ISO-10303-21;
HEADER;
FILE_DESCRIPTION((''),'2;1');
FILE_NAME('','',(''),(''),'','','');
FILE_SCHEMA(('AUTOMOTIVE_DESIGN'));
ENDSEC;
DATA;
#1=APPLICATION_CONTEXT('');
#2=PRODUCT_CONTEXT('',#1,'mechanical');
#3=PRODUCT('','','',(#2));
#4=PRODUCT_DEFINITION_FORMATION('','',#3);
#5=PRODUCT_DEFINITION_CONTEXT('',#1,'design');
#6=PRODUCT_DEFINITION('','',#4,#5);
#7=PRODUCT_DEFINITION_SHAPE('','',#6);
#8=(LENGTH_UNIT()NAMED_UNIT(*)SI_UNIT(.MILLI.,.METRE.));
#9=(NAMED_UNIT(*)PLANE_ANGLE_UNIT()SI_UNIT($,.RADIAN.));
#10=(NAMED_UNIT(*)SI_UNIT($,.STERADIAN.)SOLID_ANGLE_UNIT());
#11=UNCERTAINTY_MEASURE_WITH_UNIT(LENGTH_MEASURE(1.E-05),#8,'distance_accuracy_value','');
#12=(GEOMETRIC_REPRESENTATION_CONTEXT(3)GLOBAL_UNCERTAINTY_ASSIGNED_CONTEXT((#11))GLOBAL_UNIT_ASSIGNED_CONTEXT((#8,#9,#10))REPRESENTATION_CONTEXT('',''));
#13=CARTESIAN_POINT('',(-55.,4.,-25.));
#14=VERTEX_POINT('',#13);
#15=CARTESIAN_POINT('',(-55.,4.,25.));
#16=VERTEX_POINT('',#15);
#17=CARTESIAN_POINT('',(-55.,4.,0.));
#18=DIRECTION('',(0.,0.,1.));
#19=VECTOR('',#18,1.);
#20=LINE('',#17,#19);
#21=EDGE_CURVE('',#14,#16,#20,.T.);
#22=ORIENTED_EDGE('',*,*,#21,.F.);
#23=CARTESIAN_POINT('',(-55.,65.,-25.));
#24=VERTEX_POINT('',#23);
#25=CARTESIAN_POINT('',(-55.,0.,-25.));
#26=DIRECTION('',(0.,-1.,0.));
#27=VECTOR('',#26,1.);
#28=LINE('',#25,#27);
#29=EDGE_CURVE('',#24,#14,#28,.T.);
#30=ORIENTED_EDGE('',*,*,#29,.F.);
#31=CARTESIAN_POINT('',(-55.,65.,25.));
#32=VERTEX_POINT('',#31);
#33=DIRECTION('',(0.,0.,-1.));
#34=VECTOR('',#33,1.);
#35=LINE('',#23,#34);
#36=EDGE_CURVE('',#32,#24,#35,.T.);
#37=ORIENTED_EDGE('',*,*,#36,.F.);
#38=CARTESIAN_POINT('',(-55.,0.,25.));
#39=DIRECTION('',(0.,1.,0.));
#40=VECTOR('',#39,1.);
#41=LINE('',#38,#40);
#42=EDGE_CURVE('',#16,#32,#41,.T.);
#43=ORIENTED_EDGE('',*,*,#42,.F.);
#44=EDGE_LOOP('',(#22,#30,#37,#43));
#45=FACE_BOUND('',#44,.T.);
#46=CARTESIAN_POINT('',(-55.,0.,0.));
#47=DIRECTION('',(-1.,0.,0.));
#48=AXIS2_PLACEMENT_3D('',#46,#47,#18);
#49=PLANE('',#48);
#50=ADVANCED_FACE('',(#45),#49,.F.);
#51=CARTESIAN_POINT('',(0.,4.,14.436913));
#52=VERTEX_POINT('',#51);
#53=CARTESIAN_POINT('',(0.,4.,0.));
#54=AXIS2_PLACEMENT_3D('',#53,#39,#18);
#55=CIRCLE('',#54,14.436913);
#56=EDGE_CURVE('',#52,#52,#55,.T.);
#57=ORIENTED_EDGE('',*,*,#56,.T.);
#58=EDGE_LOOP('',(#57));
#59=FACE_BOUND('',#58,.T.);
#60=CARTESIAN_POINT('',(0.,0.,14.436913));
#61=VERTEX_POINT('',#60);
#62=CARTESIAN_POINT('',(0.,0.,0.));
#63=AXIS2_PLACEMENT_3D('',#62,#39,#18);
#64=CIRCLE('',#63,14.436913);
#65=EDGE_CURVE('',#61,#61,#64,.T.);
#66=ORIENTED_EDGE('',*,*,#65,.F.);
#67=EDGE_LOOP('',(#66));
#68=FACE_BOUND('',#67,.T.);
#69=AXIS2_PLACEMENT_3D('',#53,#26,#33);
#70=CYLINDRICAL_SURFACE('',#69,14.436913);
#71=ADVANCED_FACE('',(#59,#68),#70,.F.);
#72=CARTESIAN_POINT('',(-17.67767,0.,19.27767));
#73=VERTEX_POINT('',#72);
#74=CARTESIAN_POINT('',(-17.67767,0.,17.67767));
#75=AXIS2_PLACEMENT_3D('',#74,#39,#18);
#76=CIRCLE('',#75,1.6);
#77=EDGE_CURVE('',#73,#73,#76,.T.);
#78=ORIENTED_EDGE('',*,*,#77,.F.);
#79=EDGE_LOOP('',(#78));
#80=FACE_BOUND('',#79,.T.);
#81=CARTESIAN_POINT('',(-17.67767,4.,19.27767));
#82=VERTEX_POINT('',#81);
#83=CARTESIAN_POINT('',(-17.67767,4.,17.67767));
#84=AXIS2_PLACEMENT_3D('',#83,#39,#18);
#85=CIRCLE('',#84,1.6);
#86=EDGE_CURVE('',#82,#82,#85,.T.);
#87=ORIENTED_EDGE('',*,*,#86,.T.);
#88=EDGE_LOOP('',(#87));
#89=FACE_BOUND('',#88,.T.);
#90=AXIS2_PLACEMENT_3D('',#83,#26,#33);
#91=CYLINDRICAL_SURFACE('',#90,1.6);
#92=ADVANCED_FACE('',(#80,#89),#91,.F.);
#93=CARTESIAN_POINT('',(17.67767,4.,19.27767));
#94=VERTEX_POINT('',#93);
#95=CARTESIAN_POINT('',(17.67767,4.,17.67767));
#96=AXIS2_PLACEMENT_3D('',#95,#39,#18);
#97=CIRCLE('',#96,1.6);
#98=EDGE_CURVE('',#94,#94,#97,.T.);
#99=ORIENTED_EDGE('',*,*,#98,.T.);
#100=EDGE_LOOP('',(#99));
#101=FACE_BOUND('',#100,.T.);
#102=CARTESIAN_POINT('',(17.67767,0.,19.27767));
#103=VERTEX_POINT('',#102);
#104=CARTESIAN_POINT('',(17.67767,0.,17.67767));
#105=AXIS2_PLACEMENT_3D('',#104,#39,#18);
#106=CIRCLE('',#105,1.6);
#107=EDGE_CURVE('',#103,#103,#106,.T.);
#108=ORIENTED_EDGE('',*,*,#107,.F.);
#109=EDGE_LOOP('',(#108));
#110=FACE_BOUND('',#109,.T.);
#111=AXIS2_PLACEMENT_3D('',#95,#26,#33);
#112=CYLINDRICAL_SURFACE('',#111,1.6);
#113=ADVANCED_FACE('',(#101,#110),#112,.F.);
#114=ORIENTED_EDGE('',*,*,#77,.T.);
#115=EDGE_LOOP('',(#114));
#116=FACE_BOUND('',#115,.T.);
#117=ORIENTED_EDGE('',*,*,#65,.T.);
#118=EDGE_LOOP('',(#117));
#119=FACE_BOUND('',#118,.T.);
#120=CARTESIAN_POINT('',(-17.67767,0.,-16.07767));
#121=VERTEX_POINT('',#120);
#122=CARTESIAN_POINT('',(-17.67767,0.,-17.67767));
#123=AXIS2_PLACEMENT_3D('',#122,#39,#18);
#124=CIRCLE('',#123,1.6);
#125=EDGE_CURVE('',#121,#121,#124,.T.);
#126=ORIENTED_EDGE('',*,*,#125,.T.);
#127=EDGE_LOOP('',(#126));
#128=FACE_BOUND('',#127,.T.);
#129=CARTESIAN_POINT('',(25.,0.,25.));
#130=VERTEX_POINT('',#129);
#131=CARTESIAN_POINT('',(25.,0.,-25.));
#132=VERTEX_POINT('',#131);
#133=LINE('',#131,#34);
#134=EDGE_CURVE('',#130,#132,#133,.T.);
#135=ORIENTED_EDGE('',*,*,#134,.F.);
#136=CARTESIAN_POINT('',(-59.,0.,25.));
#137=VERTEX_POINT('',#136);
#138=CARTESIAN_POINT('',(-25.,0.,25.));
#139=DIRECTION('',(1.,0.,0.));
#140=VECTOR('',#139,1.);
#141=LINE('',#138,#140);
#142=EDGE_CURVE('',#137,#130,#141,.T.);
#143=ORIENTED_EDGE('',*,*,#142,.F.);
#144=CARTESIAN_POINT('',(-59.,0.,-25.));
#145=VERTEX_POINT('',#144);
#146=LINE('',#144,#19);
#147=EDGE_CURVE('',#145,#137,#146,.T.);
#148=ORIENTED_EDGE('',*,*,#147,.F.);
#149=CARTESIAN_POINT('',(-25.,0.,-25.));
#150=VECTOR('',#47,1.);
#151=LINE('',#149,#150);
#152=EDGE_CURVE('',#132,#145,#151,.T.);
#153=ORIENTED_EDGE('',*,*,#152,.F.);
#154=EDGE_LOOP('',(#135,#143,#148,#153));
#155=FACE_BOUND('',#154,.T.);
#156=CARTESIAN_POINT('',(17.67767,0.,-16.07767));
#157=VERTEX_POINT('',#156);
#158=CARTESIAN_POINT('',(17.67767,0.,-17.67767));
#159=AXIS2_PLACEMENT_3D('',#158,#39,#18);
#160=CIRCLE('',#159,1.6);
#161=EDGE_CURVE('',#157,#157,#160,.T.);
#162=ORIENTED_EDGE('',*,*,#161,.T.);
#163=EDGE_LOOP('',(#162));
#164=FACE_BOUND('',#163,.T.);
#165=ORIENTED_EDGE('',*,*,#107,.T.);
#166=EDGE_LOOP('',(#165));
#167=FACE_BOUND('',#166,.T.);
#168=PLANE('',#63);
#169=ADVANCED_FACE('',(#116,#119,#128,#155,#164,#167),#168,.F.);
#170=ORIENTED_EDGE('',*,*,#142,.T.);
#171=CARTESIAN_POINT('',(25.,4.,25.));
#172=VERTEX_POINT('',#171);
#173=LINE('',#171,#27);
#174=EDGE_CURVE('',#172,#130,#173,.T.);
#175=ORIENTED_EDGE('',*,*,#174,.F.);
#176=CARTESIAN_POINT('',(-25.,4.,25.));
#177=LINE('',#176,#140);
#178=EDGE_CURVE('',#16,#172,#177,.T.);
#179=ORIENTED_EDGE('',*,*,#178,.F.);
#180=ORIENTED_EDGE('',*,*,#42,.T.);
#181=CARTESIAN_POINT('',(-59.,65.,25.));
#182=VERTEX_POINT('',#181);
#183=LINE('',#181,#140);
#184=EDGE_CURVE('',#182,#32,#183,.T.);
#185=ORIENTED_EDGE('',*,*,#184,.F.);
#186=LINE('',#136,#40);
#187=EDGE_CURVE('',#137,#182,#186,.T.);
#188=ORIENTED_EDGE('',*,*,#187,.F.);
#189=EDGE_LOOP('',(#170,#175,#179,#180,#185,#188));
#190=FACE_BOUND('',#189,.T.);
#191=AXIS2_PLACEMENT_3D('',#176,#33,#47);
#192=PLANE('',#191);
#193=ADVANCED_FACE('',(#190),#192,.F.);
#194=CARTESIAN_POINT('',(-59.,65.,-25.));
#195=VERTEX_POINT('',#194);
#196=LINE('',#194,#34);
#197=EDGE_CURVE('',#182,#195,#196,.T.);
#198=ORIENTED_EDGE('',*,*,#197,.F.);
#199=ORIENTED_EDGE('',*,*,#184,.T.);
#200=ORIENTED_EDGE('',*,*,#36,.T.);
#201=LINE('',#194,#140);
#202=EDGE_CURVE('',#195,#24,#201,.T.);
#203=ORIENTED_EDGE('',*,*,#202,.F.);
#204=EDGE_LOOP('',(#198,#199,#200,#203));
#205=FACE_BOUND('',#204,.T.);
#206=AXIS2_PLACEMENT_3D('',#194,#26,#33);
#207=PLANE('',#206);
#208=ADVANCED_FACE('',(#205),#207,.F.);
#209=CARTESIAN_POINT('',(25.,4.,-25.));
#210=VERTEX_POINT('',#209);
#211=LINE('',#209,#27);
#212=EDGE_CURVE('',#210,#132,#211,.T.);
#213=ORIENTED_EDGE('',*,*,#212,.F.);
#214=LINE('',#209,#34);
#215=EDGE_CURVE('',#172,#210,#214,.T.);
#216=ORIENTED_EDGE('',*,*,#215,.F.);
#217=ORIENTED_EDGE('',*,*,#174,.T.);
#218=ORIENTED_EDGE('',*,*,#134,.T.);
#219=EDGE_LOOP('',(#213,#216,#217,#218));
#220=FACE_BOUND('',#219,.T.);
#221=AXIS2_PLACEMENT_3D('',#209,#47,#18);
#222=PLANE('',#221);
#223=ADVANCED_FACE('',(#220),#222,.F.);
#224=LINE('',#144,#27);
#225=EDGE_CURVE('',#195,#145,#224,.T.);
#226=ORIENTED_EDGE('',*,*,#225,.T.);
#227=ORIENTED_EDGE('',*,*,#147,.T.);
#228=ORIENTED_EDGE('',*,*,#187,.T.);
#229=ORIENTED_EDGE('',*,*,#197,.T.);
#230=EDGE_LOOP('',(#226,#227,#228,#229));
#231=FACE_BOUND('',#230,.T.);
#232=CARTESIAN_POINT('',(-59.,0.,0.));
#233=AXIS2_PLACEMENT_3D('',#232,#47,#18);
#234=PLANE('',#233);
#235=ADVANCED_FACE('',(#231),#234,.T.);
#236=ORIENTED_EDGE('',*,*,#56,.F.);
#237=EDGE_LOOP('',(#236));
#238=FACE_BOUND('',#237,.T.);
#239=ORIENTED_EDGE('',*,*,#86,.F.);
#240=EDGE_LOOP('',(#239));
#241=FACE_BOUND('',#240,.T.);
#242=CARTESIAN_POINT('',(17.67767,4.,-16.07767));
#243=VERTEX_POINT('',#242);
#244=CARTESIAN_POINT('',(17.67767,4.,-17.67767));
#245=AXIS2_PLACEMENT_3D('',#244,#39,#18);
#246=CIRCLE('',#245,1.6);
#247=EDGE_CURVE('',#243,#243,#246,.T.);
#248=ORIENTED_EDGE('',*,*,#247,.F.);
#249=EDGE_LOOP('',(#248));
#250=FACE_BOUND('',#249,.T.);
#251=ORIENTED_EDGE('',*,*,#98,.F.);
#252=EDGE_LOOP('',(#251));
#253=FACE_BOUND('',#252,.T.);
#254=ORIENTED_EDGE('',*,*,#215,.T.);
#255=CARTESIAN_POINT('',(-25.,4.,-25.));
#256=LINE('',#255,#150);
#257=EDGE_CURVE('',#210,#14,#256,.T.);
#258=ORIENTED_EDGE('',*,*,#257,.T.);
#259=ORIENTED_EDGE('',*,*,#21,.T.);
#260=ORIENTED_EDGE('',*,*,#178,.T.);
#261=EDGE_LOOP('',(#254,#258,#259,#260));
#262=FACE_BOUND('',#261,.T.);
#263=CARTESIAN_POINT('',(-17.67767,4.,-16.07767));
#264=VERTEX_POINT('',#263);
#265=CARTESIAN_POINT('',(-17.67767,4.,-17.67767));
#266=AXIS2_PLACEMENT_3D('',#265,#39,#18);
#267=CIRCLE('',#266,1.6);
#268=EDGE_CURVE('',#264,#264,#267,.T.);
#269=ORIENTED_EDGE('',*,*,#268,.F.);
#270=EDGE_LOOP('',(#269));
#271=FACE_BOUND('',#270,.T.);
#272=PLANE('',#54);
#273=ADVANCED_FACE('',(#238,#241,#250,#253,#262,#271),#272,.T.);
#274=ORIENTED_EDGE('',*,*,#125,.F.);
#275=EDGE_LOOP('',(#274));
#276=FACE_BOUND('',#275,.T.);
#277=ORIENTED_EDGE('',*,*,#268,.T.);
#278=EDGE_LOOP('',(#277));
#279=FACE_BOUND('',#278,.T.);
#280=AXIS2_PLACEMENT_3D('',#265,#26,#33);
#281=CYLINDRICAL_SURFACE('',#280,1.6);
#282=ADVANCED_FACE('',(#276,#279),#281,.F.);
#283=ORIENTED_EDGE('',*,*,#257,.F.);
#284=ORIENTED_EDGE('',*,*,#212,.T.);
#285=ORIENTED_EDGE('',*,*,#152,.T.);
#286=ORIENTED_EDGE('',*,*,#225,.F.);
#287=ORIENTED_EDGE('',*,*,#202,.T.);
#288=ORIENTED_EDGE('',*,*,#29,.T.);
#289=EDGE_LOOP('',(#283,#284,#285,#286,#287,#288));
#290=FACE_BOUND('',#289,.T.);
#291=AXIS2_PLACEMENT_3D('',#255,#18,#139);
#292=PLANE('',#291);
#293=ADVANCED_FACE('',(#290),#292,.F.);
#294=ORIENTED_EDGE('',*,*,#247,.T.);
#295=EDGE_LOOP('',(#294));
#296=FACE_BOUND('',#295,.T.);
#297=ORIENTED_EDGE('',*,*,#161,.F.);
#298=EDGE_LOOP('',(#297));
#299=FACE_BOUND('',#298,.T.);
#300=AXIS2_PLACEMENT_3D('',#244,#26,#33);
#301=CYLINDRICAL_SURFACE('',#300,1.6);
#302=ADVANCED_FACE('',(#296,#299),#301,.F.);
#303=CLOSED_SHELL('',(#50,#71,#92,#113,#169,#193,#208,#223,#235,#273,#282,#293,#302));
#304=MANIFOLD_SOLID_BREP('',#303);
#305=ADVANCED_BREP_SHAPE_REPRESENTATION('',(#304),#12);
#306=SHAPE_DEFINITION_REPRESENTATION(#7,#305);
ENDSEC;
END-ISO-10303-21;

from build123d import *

# Parameters (mm, degrees)
SKETCH_1_W      = 50
SKETCH_1_H      = 50
SKETCH_1_R      = 14.436913374
SKETCH_1_R_2    = 1.6
EXTRUDE_1_DEPTH = 4
SKETCH_2_W      = 31
SKETCH_2_H      = 50
EXTRUDE_2_DEPTH = 4
SKETCH_3_W      = 50
SKETCH_3_H      = 65
EXTRUDE_3_DEPTH = 4


with BuildPart() as part:
    # 草图1 → 凸台-拉伸1 (new body)
    with BuildSketch(Plane(origin=(0, 0, 0), x_dir=(1, 0, 0), z_dir=(0, 1, 0))):
        Rectangle(SKETCH_1_W, SKETCH_1_H)
        with Locations(Location((0, 0, 0), (0, 0, 270))):
            Circle(SKETCH_1_R, mode=Mode.SUBTRACT)
        with Locations(Location((-17.67766953, -17.67766953, 0), (0, 0, 270))):
            Circle(SKETCH_1_R_2, mode=Mode.SUBTRACT)
        with Locations(Location((17.67766953, -17.67766953, 0), (0, 0, 270))):
            Circle(SKETCH_1_R_2, mode=Mode.SUBTRACT)
        with Locations(Location((17.67766953, 17.67766953, 0), (0, 0, 270))):
            Circle(SKETCH_1_R_2, mode=Mode.SUBTRACT)
        with Locations(Location((-17.67766953, 17.67766953, 0), (0, 0, 270))):
            Circle(SKETCH_1_R_2, mode=Mode.SUBTRACT)
    extrude(amount=EXTRUDE_1_DEPTH)

    # 草图2 → 凸台-拉伸2 (add)
    with BuildSketch(Plane(origin=(0, 0, 0), x_dir=(1, 0, 0), z_dir=(0, 1, 0))):
        with Locations((-40.5, 0)):
            Rectangle(SKETCH_2_W, SKETCH_2_H)
    extrude(amount=EXTRUDE_2_DEPTH)

    # 草图3 → 凸台-拉伸3 (add)
    with BuildSketch(Plane.ZY.offset(55)):
        with Locations((0, 32.5)):
            Rectangle(SKETCH_3_W, SKETCH_3_H)
    extrude(amount=EXTRUDE_3_DEPTH)


solid = part.part
